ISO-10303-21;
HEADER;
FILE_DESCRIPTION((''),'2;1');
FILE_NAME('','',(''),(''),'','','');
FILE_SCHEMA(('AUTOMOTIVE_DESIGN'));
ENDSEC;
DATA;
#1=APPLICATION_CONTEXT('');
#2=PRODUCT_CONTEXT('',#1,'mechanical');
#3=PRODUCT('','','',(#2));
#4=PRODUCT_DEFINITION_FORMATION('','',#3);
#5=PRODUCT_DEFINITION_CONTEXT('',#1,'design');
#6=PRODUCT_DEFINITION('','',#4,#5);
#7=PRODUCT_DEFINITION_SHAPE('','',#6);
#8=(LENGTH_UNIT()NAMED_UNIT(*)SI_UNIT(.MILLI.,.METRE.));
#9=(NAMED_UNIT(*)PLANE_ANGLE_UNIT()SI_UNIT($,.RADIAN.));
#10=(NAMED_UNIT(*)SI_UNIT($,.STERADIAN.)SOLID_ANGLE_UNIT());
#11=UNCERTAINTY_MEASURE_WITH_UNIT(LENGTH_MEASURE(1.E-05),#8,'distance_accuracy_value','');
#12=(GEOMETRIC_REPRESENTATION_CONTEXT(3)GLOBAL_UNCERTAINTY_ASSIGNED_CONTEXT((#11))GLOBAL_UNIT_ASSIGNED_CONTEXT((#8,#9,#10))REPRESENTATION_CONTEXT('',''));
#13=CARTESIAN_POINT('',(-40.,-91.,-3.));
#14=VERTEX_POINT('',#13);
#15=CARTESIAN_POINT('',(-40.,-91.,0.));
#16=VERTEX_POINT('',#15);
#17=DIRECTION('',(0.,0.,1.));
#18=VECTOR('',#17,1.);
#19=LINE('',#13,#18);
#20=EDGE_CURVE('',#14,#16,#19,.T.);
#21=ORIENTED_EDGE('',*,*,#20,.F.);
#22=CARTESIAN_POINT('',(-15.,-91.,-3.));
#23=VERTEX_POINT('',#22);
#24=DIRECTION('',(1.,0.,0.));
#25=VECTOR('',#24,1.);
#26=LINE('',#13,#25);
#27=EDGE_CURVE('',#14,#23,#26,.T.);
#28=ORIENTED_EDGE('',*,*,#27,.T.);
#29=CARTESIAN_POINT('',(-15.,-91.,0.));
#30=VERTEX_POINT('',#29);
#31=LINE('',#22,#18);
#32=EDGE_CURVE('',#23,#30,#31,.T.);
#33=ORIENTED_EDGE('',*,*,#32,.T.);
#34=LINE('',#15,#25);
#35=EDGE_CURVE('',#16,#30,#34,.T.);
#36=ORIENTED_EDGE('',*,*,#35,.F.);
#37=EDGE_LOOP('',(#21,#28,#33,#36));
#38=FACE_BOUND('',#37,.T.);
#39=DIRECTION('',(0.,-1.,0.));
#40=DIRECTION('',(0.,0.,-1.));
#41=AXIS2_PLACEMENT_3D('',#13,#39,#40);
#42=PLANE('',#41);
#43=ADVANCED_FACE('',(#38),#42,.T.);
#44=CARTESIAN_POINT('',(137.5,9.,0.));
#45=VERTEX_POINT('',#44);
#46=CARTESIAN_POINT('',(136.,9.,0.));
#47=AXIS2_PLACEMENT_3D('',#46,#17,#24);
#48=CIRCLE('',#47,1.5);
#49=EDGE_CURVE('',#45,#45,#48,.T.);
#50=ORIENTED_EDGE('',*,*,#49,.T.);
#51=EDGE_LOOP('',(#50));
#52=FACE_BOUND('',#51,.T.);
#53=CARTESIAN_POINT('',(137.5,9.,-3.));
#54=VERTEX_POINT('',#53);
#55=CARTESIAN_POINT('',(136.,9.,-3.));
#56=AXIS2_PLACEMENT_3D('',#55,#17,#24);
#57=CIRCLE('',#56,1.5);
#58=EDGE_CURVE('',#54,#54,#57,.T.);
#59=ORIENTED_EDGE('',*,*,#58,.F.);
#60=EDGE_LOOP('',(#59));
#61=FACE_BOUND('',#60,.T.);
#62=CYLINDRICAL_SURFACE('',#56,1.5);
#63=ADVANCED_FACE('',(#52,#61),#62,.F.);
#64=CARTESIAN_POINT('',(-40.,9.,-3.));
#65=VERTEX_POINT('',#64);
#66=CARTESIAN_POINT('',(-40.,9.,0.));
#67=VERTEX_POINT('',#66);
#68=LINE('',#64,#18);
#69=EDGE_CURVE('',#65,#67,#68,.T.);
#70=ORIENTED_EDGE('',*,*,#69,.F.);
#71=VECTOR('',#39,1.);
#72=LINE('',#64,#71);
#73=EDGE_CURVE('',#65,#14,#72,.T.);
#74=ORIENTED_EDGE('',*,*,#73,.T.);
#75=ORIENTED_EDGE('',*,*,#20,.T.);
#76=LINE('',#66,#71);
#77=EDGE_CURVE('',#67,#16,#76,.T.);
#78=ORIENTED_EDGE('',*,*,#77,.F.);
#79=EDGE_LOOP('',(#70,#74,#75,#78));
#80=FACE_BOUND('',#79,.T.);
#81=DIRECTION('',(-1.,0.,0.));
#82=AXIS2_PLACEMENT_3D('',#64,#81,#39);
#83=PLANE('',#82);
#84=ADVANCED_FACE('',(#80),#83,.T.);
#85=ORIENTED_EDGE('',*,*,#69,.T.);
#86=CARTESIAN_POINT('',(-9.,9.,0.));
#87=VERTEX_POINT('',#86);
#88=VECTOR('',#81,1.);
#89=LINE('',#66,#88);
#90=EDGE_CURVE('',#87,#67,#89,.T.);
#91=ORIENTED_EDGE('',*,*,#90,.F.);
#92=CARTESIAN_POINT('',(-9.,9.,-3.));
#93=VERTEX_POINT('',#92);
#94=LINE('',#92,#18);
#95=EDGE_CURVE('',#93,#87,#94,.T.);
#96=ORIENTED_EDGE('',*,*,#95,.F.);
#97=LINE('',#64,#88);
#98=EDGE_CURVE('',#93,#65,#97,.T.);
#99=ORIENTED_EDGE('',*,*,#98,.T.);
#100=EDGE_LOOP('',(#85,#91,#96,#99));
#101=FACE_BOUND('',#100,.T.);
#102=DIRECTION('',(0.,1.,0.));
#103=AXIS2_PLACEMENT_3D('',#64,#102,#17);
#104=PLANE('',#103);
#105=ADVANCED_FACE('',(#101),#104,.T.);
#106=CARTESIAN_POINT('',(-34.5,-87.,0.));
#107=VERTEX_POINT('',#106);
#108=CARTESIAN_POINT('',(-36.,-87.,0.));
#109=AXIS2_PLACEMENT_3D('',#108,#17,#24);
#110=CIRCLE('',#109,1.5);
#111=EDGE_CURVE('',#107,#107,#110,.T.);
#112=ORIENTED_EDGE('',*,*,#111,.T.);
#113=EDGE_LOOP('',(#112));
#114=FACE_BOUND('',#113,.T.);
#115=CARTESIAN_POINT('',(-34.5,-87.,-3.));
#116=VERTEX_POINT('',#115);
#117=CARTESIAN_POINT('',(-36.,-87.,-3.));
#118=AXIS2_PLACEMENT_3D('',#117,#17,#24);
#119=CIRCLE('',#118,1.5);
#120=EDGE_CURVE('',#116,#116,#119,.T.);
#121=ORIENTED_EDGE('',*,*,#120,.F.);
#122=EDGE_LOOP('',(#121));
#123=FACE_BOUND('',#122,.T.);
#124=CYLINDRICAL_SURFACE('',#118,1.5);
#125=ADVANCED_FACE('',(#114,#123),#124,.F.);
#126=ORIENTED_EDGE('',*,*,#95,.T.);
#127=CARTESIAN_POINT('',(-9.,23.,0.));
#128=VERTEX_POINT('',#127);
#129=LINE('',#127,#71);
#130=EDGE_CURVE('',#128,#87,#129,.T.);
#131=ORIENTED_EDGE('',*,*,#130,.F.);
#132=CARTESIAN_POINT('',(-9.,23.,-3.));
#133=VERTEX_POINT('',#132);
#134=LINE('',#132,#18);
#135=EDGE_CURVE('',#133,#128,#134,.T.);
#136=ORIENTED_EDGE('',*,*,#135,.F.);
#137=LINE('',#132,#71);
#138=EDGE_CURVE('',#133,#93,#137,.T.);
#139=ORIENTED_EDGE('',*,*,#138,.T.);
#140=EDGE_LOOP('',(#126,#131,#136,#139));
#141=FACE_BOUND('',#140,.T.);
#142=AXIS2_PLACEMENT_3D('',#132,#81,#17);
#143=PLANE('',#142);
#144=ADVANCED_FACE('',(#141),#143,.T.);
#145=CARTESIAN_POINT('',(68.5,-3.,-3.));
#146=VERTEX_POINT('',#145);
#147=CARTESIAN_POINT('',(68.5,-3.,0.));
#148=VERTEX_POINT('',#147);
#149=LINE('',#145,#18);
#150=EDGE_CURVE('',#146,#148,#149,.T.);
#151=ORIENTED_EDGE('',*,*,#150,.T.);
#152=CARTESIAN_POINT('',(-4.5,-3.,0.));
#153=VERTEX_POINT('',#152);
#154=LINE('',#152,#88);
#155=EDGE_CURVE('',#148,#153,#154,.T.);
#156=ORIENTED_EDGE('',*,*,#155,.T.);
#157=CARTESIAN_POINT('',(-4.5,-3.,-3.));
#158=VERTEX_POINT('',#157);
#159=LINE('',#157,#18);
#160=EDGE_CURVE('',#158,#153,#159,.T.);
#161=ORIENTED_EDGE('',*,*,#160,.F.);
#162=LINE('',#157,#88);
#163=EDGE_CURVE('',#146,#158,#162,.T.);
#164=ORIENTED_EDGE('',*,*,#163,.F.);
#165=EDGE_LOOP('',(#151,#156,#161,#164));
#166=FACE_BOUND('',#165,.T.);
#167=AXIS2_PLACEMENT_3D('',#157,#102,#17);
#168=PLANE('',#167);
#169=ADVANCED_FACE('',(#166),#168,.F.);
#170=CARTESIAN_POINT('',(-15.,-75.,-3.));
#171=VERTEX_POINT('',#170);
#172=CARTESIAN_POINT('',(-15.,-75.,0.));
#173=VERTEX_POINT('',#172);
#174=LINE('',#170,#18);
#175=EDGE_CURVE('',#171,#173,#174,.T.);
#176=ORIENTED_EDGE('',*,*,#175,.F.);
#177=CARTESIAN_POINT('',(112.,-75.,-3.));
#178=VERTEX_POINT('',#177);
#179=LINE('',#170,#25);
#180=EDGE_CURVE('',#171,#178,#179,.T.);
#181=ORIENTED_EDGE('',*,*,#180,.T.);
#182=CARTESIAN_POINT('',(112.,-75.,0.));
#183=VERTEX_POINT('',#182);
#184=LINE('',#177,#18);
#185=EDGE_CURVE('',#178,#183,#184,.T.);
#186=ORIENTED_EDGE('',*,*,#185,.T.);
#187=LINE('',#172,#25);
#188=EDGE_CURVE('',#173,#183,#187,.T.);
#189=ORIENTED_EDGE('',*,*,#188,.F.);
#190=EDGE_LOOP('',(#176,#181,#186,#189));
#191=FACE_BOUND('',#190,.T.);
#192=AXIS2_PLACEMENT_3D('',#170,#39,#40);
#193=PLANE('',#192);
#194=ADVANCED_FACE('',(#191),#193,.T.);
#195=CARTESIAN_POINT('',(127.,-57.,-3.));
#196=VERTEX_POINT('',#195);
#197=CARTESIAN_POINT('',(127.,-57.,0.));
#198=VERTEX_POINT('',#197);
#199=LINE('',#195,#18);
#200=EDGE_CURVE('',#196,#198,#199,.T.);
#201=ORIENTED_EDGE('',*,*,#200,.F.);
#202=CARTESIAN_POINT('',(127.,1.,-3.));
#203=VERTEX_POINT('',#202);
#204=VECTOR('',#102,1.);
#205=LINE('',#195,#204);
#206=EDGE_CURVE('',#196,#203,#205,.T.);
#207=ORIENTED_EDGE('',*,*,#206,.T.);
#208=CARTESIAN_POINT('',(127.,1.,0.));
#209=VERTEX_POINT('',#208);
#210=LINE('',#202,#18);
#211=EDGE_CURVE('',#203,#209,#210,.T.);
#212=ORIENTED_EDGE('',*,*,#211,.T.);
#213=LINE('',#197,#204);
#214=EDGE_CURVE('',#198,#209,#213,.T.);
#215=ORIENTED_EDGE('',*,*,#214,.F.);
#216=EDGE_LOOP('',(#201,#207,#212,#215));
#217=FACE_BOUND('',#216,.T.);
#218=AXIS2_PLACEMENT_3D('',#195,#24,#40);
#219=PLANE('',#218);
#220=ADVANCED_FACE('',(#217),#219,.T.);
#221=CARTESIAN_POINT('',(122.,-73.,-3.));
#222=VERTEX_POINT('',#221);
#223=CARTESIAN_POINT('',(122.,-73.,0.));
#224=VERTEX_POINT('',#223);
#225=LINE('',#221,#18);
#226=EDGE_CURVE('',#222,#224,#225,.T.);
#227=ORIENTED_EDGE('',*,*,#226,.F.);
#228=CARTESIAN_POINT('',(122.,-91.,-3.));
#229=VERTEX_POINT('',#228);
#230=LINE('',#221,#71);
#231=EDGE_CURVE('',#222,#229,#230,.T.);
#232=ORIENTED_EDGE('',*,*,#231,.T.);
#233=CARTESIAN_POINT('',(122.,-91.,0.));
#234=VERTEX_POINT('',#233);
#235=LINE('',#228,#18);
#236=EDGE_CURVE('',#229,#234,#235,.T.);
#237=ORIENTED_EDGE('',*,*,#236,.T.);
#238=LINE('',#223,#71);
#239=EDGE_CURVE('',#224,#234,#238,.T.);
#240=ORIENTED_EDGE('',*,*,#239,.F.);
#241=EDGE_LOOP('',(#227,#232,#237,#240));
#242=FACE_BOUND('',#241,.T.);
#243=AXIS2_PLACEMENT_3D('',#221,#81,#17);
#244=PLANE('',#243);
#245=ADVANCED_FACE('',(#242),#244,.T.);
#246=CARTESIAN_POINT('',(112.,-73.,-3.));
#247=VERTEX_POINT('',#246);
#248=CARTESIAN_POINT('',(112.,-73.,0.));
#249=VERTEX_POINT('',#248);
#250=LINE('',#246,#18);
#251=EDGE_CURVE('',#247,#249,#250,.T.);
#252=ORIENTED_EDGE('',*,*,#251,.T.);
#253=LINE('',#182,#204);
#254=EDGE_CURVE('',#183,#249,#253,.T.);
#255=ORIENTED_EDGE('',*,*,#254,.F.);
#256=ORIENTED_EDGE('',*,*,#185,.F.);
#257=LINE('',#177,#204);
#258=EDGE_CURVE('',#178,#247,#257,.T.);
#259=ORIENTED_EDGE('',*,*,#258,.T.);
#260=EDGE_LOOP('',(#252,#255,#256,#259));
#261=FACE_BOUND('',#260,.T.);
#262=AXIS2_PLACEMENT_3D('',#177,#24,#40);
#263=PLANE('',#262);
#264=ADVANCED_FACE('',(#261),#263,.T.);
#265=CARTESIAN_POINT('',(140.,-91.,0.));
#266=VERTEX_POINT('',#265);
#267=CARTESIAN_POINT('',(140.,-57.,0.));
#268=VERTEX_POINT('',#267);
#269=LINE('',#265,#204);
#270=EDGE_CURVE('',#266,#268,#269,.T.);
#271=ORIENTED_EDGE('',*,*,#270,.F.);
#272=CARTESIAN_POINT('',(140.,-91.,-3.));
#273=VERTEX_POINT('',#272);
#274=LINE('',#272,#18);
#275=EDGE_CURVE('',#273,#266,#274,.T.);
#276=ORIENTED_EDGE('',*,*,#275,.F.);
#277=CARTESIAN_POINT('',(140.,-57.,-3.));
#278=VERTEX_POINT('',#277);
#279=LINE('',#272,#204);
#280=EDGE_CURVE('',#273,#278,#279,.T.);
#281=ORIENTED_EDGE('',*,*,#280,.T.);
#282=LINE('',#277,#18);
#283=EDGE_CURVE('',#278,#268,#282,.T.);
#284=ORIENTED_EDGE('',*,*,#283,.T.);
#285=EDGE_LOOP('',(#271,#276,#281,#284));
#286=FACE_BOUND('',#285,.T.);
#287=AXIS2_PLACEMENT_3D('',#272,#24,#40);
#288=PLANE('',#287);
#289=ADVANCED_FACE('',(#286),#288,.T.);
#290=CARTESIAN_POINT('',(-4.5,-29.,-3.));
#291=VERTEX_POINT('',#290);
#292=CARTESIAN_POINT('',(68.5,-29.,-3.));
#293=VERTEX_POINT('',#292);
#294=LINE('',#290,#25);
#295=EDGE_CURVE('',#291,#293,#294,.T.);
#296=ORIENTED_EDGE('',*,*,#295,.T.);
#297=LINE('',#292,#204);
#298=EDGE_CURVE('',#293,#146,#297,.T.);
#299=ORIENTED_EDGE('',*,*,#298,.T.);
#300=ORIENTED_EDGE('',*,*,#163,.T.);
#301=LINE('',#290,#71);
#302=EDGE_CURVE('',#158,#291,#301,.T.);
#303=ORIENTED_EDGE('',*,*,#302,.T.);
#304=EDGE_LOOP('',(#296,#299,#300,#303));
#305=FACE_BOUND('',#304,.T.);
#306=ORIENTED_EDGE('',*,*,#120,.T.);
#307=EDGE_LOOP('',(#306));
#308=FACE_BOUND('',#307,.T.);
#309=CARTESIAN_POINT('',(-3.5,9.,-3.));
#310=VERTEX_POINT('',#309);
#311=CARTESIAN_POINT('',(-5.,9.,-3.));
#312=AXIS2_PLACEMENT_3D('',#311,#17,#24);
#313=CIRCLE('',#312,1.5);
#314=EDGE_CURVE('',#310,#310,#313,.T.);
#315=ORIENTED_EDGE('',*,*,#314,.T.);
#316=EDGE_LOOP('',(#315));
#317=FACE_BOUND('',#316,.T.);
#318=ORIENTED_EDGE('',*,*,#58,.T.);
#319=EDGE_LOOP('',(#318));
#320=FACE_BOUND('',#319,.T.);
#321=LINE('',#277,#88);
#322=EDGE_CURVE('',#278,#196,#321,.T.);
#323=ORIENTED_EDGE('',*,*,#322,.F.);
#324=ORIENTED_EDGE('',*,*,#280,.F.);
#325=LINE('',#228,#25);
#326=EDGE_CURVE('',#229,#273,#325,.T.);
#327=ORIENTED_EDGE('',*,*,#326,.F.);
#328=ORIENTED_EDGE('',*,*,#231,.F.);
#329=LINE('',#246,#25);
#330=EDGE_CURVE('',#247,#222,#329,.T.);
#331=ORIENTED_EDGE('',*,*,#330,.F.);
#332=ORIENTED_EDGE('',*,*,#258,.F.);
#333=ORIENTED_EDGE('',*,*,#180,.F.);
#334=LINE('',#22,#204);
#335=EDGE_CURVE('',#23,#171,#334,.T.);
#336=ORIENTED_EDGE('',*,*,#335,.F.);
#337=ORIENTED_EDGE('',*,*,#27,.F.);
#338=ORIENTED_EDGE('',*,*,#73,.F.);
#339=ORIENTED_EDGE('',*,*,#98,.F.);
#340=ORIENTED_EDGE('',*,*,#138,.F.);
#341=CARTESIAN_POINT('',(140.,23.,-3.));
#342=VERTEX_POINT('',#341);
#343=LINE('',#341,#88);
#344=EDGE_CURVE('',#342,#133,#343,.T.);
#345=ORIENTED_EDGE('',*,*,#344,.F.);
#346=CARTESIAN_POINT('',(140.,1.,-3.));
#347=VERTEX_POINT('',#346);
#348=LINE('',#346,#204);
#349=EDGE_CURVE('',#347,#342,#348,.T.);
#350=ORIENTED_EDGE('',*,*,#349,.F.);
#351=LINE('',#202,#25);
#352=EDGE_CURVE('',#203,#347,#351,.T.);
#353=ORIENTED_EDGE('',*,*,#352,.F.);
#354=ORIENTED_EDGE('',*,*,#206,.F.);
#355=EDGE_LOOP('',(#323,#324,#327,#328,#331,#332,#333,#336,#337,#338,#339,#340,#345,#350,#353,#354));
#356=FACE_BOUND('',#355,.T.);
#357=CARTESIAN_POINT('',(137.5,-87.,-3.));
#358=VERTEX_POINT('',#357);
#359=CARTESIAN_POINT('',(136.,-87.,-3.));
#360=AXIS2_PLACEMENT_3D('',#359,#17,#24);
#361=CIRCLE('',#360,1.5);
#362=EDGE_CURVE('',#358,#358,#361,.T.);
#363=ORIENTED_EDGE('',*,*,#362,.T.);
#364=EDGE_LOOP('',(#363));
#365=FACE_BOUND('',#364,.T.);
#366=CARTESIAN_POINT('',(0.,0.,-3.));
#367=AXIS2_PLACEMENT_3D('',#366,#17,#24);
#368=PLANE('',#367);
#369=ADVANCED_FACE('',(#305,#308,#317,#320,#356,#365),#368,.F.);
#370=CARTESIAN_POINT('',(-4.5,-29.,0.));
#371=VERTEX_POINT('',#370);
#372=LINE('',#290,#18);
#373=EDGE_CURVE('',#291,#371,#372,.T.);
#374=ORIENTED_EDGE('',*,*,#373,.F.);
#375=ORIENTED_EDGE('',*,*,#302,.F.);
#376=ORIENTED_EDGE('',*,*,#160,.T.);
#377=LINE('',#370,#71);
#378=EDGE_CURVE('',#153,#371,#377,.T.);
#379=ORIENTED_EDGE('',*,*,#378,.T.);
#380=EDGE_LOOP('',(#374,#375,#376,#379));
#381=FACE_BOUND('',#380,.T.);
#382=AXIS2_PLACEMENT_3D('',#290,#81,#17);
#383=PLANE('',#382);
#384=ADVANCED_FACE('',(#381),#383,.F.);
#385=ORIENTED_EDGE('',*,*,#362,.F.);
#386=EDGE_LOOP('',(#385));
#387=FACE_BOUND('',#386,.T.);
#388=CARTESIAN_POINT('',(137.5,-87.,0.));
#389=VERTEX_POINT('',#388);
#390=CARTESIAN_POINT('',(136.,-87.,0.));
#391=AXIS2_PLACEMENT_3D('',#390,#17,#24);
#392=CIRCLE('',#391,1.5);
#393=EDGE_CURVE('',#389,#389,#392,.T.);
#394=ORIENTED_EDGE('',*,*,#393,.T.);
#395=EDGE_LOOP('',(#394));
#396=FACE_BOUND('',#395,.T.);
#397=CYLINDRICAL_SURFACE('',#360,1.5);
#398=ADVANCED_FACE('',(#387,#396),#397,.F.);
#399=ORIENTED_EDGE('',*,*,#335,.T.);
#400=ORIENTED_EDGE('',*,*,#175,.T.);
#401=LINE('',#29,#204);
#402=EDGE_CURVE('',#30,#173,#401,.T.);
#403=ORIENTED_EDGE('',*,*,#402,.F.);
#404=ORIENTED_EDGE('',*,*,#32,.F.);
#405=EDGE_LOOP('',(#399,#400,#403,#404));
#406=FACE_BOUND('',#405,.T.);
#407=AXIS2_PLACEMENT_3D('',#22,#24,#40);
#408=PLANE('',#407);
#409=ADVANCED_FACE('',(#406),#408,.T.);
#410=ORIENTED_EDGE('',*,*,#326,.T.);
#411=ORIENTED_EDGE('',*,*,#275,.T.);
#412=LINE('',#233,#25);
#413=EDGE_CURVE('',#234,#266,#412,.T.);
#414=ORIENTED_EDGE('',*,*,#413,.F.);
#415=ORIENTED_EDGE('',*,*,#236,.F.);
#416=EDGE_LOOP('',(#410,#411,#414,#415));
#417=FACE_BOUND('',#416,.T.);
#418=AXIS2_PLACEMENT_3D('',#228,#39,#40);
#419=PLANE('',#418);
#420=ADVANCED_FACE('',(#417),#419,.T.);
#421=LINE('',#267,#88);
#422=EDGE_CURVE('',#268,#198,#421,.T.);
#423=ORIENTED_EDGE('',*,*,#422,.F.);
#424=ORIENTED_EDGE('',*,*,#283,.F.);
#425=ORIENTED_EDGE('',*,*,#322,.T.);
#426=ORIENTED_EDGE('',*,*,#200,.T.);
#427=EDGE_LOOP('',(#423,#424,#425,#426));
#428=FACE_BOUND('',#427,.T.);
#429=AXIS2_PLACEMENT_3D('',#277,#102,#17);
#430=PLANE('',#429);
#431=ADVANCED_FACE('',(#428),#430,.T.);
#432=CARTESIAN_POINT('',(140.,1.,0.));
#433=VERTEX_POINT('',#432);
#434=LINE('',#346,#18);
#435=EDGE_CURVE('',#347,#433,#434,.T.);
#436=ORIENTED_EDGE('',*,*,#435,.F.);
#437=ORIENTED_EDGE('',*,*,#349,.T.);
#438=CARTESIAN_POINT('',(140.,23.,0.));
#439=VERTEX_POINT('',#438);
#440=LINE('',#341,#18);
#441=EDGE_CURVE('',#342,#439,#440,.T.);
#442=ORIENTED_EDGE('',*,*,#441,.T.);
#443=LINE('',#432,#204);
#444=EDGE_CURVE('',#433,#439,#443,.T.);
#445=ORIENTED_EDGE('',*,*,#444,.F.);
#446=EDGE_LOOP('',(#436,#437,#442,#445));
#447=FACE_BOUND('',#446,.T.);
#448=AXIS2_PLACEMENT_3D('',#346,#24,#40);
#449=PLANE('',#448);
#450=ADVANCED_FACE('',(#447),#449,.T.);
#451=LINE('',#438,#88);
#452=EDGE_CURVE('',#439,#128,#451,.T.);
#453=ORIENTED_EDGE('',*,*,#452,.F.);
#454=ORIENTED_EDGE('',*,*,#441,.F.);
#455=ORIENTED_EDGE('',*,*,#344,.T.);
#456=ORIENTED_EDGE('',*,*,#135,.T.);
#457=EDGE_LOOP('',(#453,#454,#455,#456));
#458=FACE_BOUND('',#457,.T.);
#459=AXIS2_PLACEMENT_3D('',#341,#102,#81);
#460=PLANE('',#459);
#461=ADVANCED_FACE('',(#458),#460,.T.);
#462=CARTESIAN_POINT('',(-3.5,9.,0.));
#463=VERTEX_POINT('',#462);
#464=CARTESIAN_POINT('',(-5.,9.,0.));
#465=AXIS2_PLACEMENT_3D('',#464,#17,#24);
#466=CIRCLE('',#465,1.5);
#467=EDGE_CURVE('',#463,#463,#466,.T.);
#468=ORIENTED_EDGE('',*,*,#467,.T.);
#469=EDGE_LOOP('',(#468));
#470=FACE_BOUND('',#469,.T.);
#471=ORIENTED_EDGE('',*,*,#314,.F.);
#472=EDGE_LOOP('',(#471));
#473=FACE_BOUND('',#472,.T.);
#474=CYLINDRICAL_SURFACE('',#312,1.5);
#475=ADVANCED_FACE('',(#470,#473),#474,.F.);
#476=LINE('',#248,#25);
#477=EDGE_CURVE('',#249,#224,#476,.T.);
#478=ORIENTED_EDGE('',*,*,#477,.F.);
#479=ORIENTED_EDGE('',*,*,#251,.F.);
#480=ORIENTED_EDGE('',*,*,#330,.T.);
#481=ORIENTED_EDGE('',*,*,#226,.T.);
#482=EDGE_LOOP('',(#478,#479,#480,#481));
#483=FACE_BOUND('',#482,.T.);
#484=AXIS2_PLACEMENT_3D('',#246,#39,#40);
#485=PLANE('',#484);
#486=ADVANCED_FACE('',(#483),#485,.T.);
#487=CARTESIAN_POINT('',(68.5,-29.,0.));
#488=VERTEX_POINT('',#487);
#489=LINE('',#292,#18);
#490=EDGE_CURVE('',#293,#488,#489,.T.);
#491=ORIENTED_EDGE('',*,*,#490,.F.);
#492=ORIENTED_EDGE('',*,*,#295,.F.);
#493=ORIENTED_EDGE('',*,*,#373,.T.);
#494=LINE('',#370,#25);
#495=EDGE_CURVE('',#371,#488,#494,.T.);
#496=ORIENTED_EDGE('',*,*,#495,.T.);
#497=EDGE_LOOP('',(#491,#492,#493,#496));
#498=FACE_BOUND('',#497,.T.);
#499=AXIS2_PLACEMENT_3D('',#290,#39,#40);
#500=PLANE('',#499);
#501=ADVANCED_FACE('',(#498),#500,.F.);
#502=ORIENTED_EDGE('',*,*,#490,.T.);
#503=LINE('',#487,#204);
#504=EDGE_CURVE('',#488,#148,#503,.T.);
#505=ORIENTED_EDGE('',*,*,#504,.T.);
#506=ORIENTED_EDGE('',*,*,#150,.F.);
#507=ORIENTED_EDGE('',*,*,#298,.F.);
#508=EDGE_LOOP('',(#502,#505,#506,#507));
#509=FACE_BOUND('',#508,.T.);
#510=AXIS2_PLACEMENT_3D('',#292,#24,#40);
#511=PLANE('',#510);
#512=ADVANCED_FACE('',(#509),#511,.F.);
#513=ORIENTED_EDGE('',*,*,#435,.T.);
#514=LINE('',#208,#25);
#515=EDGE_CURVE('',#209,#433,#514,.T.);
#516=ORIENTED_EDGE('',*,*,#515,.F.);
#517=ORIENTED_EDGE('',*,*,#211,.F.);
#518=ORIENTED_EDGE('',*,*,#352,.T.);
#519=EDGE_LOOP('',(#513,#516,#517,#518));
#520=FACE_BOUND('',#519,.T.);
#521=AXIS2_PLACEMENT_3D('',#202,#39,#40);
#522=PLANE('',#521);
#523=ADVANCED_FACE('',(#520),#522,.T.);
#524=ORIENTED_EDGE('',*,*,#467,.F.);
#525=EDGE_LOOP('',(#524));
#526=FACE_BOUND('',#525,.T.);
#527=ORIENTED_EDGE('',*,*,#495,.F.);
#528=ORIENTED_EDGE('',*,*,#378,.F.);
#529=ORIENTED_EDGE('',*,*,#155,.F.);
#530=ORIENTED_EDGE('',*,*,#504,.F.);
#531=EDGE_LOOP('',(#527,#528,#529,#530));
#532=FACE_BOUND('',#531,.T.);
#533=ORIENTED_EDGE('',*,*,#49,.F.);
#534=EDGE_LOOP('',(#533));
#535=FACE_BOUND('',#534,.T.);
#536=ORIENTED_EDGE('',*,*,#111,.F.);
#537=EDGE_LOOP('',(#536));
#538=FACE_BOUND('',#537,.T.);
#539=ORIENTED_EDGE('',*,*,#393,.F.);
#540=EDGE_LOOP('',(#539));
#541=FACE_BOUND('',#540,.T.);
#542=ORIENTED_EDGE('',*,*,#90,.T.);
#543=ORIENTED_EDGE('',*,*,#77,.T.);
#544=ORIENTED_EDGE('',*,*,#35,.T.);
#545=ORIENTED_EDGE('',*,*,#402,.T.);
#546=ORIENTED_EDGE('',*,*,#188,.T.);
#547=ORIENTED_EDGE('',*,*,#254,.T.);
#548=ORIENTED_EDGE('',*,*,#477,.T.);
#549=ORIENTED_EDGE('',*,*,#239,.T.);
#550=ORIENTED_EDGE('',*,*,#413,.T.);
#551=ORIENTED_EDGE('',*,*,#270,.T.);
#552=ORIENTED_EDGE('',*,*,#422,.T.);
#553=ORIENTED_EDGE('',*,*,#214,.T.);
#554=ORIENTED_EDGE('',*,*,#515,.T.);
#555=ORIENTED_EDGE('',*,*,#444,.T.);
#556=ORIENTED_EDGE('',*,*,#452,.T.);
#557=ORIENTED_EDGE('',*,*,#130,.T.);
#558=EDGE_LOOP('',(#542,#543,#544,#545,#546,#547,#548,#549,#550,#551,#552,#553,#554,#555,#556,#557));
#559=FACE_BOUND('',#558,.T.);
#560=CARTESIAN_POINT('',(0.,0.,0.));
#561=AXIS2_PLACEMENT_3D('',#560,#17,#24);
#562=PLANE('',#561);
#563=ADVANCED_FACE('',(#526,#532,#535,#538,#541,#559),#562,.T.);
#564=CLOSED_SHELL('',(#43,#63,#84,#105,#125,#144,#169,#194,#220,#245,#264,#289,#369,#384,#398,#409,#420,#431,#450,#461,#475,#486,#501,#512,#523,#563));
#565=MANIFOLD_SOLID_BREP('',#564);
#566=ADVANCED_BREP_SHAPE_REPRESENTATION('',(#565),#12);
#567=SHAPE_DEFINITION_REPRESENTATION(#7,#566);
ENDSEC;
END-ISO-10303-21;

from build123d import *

# Parameters (mm, degrees)
SKETCH1_R           = 1.5
SKETCH1_W           = 73
SKETCH1_H           = 26
BOSS_EXTRUDE1_DEPTH = 3


with BuildPart() as part:
    # Sketch1 → Boss-Extrude1 (new body)
    with BuildSketch(Plane.XY):
        Polygon((-40, -91), (-15, -91), (-15, -75), (112, -75), (112, -73), (122, -73), (122, -91), (140, -91), (140, -57), (127, -57), (127, 1), (140, 1), (140, 23), (-9, 23), (-9, 9), (-40, 9), align=None)
        with Locations((-5, 9)):
            Circle(SKETCH1_R, mode=Mode.SUBTRACT)
        with Locations((136, 9)):
            Circle(SKETCH1_R, mode=Mode.SUBTRACT)
        with Locations((136, -87)):
            Circle(SKETCH1_R, mode=Mode.SUBTRACT)
        with Locations((-36, -87)):
            Circle(SKETCH1_R, mode=Mode.SUBTRACT)
        with Locations((32, -16)):
            Rectangle(SKETCH1_W, SKETCH1_H, mode=Mode.SUBTRACT)
    extrude(amount=-BOSS_EXTRUDE1_DEPTH)


solid = part.part
